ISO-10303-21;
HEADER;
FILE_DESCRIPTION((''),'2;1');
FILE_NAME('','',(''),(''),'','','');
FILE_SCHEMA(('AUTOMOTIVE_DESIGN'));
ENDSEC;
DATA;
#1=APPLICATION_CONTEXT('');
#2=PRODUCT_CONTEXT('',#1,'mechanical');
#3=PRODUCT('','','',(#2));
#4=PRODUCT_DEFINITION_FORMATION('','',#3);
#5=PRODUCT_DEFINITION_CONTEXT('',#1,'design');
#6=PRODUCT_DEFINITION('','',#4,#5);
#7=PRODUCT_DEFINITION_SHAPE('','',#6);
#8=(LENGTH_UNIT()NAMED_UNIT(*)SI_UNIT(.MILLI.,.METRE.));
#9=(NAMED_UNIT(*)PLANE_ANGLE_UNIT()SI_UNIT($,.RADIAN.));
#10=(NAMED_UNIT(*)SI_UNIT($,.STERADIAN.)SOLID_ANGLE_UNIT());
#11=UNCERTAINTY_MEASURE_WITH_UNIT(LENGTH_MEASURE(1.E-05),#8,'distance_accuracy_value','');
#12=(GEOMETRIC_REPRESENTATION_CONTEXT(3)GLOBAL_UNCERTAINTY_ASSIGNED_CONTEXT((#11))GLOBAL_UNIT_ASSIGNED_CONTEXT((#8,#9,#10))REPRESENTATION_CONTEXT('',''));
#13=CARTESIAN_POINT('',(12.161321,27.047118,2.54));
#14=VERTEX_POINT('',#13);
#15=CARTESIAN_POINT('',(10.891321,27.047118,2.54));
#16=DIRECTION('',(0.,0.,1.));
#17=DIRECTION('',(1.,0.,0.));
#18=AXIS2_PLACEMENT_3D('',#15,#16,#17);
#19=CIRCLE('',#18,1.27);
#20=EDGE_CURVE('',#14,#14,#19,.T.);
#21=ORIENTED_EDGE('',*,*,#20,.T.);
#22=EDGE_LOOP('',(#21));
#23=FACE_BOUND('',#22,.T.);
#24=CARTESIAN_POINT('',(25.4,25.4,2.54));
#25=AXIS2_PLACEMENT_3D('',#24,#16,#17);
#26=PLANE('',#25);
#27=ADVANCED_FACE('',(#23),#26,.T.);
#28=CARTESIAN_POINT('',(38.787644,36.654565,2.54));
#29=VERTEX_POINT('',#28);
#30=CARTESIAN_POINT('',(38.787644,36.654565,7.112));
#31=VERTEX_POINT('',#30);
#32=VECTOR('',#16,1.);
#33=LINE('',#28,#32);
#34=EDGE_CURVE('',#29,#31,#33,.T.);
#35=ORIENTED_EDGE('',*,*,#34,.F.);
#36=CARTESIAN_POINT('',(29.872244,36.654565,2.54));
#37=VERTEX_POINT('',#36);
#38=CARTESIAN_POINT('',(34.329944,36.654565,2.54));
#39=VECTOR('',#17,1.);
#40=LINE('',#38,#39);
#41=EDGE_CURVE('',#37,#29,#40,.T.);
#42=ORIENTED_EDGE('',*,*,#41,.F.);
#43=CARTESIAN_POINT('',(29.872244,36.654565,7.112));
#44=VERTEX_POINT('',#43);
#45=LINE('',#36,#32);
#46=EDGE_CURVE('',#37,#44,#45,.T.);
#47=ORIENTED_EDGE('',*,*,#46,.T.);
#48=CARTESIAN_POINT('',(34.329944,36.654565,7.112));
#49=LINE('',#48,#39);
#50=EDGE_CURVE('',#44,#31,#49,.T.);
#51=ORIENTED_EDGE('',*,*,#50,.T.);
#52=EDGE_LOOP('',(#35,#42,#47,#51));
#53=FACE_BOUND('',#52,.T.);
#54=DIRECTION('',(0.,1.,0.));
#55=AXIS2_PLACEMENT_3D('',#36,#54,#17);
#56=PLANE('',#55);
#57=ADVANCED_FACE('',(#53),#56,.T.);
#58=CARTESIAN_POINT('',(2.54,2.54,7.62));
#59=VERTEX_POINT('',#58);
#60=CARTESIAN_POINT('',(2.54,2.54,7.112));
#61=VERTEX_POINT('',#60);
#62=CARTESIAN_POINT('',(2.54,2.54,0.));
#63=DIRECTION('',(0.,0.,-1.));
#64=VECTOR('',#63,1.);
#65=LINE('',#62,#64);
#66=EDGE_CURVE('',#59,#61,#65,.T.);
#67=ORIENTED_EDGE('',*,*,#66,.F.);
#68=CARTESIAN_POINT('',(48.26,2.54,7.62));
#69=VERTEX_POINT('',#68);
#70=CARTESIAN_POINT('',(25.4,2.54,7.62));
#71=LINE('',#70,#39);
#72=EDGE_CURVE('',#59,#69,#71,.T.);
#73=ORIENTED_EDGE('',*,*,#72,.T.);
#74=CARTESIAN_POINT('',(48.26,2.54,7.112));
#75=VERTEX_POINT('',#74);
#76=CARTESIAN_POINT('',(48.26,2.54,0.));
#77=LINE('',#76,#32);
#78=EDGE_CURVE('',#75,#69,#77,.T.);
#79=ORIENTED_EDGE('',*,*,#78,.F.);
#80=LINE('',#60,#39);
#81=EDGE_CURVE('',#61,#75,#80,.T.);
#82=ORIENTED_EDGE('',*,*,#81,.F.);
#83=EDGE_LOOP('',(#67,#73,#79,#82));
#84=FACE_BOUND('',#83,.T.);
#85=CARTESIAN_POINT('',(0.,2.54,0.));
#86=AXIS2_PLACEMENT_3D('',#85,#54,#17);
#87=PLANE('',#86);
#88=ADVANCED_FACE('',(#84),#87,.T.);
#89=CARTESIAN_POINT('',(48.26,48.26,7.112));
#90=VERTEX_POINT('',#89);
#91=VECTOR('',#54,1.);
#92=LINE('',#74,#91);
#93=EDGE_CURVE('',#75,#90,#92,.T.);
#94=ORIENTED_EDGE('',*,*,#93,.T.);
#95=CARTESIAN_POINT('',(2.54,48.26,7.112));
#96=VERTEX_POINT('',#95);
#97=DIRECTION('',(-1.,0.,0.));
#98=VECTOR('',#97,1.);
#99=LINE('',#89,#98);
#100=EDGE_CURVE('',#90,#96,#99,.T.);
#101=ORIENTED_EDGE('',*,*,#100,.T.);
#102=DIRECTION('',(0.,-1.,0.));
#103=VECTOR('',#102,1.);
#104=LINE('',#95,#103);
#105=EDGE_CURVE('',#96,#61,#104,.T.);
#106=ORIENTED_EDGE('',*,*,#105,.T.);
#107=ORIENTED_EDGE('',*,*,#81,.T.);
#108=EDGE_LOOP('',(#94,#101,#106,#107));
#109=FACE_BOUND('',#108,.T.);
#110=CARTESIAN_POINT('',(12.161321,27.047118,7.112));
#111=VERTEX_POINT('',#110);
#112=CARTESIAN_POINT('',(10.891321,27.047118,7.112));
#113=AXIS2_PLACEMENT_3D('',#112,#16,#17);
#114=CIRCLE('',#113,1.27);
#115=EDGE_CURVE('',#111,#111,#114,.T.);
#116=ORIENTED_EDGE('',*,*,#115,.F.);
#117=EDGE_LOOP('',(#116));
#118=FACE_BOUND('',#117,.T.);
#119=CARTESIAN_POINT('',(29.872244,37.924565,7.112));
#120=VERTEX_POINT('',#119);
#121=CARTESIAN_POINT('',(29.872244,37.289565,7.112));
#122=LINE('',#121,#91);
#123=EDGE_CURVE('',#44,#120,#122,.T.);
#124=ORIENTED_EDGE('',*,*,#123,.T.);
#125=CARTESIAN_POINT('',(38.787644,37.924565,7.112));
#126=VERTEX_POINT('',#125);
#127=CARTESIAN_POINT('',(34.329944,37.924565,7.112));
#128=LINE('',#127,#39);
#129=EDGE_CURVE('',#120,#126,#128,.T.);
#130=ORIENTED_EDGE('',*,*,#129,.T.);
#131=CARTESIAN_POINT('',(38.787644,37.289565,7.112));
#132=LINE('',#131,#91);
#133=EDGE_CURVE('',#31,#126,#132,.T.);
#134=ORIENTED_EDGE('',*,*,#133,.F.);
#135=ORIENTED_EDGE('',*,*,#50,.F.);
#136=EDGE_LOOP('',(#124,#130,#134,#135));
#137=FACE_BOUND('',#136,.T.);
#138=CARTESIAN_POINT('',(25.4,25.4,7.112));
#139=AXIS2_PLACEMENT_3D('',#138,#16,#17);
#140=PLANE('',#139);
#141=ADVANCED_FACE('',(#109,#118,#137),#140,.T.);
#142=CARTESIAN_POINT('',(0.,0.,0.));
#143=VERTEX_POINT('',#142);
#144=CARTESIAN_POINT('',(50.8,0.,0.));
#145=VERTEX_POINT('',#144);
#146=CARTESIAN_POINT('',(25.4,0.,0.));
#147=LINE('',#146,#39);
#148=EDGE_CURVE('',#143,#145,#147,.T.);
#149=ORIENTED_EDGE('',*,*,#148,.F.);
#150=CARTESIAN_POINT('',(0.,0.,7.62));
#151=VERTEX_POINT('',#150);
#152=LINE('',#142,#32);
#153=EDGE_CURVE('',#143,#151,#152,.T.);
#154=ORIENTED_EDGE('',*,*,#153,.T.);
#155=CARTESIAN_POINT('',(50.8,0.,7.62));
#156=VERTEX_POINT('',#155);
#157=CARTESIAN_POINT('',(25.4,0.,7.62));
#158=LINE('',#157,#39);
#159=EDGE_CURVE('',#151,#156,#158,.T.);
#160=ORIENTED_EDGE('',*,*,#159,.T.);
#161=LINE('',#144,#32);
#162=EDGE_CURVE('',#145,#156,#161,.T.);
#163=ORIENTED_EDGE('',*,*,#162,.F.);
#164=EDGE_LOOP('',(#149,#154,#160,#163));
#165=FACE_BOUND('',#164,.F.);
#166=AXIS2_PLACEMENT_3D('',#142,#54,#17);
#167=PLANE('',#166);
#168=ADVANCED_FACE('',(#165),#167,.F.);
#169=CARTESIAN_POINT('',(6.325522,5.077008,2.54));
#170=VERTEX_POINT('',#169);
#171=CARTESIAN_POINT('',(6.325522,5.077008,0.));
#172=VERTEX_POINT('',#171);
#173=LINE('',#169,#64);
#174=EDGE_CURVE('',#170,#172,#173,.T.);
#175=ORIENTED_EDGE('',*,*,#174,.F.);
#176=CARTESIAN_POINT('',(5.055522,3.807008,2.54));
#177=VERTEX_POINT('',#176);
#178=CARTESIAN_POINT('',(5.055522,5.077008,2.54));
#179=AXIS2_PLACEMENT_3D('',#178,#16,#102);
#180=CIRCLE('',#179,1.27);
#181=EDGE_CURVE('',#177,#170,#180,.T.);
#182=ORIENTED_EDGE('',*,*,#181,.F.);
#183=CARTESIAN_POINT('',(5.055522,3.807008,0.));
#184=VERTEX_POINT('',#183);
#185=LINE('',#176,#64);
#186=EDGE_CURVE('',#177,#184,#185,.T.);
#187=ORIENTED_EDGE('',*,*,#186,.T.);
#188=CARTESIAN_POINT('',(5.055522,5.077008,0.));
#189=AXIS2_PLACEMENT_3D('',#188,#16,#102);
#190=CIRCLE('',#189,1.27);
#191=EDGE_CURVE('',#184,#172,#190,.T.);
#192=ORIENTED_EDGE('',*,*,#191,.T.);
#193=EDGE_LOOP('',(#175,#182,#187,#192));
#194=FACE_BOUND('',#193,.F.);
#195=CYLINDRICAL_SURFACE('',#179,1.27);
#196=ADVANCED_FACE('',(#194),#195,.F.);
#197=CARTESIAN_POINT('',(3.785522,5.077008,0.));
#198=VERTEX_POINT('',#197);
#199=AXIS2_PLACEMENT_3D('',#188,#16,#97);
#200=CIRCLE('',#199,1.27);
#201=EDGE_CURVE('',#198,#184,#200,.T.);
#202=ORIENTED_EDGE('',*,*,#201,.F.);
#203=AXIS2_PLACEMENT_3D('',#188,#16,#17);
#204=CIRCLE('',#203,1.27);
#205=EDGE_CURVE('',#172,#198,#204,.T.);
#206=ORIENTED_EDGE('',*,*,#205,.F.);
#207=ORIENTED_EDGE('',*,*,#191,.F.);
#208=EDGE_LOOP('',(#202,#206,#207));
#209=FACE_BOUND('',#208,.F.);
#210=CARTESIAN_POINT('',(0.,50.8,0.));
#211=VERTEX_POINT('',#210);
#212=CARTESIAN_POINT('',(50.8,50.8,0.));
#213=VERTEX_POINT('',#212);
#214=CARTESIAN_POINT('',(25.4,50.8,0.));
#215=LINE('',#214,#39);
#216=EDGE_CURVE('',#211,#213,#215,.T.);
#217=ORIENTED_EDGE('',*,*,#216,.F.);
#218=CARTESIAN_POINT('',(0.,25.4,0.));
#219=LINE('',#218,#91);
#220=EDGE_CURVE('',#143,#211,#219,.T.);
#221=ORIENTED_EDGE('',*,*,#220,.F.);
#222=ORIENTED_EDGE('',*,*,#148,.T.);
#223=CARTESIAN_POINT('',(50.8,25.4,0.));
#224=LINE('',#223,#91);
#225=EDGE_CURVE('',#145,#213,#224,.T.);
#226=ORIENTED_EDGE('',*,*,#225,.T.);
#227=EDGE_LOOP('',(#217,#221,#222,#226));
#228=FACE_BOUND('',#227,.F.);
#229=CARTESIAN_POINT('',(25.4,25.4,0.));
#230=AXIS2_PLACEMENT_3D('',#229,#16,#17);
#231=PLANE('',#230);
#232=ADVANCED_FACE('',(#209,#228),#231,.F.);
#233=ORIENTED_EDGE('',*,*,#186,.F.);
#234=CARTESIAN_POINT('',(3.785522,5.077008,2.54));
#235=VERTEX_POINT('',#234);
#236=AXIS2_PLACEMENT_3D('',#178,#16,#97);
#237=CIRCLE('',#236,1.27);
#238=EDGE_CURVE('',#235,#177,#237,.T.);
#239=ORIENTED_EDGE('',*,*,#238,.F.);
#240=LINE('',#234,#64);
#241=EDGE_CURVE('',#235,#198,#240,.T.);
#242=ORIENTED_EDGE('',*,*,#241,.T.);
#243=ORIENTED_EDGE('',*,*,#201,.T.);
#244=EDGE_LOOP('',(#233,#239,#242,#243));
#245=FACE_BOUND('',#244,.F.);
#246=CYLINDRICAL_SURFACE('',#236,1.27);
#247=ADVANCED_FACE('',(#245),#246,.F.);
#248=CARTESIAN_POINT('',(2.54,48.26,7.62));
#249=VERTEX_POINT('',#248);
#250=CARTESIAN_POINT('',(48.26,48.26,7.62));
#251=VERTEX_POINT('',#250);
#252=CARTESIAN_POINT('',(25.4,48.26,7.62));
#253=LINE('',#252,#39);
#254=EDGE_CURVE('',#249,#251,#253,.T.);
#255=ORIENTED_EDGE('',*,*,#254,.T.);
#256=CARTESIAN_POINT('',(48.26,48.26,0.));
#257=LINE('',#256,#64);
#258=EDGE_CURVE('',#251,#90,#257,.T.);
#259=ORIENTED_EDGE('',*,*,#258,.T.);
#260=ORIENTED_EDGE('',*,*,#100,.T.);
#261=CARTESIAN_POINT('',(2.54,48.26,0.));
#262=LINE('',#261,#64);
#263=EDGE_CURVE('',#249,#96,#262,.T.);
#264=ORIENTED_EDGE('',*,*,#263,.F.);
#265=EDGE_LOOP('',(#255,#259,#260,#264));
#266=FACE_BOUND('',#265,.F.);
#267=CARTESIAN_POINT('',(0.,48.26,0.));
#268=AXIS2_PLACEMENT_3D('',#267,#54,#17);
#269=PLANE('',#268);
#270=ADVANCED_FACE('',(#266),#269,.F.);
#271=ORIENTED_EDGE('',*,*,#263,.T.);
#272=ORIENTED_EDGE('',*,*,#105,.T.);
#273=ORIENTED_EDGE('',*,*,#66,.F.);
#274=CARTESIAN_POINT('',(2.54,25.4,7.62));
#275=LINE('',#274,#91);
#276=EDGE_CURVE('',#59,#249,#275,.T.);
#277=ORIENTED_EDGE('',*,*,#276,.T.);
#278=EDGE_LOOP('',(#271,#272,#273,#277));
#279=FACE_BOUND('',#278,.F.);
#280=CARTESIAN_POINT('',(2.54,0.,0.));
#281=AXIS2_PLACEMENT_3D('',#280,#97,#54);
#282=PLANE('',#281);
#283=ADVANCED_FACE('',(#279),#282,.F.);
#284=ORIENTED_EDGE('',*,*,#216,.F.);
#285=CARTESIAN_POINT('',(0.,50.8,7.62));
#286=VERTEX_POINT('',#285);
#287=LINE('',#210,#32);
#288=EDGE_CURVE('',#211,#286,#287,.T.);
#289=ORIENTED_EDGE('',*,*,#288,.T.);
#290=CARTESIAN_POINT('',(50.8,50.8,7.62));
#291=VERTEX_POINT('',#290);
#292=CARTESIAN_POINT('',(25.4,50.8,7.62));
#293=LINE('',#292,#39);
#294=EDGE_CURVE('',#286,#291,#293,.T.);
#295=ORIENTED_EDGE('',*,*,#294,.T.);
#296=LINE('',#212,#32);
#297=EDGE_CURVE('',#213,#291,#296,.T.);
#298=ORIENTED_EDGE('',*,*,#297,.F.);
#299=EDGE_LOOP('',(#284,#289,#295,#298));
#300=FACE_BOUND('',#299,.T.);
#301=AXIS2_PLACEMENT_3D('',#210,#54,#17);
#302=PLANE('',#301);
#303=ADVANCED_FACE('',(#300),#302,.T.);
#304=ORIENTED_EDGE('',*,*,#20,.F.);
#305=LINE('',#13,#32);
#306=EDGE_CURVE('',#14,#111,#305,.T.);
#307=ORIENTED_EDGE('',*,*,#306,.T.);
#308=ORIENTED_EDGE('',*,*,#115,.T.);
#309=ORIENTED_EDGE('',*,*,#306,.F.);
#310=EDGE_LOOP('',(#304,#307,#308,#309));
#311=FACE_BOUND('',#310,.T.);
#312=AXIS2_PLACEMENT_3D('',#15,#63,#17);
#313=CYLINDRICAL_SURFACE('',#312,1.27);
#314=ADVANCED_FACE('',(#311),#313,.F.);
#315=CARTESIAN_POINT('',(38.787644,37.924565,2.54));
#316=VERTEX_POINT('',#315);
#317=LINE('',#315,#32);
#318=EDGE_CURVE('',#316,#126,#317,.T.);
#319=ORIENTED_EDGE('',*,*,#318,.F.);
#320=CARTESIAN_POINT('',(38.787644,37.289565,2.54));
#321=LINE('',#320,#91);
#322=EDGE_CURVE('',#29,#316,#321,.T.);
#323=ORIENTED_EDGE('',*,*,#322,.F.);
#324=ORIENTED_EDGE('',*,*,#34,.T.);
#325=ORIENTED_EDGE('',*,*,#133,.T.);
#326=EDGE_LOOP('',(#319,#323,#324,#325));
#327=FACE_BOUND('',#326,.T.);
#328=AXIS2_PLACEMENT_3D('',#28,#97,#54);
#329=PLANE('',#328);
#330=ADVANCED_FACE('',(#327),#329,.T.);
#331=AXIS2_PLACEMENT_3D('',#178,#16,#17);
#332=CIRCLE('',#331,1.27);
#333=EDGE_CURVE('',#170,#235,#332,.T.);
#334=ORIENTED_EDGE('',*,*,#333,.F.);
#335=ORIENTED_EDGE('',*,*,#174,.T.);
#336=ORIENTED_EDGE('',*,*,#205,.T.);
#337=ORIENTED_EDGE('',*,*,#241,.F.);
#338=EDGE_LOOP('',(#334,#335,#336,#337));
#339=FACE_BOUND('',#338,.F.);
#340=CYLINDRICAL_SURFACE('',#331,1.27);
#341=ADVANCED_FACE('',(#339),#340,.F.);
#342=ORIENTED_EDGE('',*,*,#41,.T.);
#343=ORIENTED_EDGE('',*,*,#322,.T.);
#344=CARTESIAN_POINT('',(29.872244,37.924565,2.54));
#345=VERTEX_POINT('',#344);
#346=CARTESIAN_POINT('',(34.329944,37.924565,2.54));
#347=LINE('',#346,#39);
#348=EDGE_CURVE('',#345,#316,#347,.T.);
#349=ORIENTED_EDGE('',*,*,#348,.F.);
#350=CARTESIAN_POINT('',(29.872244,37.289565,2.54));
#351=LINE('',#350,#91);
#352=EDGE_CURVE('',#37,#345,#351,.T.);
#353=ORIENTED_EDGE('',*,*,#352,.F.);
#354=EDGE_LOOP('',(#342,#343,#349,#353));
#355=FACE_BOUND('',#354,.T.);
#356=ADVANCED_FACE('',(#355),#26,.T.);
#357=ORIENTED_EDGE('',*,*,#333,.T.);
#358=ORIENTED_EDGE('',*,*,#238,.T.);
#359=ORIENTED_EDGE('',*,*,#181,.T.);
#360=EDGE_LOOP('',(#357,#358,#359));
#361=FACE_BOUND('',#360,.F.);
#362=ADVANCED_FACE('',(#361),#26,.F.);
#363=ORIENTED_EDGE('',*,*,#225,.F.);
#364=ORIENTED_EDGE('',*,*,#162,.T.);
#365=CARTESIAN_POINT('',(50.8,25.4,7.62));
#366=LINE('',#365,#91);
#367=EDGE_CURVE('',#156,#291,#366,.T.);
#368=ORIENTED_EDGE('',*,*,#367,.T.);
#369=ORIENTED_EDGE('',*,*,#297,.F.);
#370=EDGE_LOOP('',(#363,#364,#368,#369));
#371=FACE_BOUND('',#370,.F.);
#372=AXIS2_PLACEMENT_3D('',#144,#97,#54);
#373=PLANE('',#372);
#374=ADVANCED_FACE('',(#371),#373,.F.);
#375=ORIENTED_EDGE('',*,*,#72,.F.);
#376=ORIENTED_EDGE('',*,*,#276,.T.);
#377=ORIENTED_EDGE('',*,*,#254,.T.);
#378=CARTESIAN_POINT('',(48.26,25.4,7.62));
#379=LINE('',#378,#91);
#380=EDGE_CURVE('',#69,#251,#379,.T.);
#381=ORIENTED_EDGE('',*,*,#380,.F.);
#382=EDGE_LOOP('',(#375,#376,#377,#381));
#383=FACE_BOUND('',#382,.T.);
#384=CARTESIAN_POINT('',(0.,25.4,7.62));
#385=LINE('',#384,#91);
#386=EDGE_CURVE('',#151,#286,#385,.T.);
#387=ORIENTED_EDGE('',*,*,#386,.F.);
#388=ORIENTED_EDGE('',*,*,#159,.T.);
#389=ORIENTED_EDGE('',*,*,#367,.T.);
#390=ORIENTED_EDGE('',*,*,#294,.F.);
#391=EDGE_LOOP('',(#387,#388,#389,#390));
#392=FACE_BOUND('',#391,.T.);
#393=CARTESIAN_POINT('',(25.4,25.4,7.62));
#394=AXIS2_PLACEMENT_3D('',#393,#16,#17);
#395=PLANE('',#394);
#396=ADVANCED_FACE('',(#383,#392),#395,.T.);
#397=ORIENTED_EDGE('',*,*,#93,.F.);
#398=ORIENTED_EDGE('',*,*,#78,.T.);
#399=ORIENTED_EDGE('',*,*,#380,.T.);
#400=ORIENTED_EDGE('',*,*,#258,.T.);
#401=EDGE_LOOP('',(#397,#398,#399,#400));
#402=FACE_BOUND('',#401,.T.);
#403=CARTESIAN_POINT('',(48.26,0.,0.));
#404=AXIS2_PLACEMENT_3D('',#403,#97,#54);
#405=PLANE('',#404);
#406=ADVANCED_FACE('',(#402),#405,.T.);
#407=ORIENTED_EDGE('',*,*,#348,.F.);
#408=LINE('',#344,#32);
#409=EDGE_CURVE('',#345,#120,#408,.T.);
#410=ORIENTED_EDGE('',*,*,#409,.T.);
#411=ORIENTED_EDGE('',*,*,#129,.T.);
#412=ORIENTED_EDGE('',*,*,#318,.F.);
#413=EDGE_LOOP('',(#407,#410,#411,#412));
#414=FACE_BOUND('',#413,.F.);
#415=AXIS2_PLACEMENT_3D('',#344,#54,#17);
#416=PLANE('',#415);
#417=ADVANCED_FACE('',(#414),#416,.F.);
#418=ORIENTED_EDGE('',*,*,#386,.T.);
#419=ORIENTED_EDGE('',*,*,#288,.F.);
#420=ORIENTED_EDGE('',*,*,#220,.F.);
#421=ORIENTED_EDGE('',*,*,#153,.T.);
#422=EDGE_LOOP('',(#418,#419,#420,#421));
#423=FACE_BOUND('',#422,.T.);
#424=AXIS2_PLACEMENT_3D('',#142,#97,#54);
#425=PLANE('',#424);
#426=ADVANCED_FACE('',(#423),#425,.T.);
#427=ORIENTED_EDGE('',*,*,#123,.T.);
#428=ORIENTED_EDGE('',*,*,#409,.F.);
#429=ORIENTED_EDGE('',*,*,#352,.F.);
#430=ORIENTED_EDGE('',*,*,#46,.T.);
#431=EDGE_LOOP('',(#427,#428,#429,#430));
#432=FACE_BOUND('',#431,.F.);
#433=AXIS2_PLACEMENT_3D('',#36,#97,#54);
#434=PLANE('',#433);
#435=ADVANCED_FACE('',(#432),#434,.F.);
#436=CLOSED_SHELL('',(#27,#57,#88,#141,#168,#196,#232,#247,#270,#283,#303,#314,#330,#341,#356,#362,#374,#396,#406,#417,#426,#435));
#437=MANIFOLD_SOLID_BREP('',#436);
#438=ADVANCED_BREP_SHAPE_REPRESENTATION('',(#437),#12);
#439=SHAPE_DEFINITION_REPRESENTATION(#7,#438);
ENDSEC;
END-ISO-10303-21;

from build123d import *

# Parameters (mm, degrees)
F0_W     = 50.8
F0_H     = 50.8
F1_DEPTH = 7.62
F2_T     = -2.54
F5_DEPTH = 25.4
F7_R     = 1.27
F7_W     = 8.9154
F7_H     = 1.27
F8_DEPTH = 4.572


with BuildPart() as f1:
    # F0 (on Top) → F1 (new body)
    with BuildSketch(Plane.XY):
        with Locations((25.4, 25.4)):
            Rectangle(F0_W, F0_H)
    extrude(amount=F1_DEPTH)

    # F2
    f2_openings = [f1.faces().sort_by_distance(p)[0] for p in [
        (25.4, 25.4, 7.62),
    ]]
    offset(amount=F2_T, openings=f2_openings)

    # F4 (on face) → F5 (cut)
    with BuildSketch(Plane.XY.offset(2.54)):
        with BuildLine():
            ThreePointArc((3.7855220646, 5.0770083749), (4.1574964525, 4.1789827628), (5.0555220646, 3.8070083749))
            Line((5.0555220646, 3.8070083749), (5.0555220646, 5.0770083749))
            Line((5.0555220646, 5.0770083749), (3.7855220646, 5.0770083749))
        make_face()
        with BuildLine():
            Line((5.0555220646, 5.0770083749), (5.0555220646, 3.8070083749))
            ThreePointArc((5.0555220646, 3.8070083749), (5.9535476767, 4.1789827628), (6.3255220646, 5.0770083749))
            ThreePointArc((6.3255220646, 5.0770083749), (5.0555220646, 6.3470083749), (3.7855220646, 5.0770083749))
            Line((3.7855220646, 5.0770083749), (5.0555220646, 5.0770083749))
        make_face()
    extrude(amount=-F5_DEPTH, mode=Mode.SUBTRACT)

    # F7 (on face) → F8 (join)
    with BuildSketch(Plane.XY.offset(2.54)):
        Polygon((48.26, 2.54), (48.26, 48.26), (2.54, 48.26), (2.54, 2.54), (7.62, 2.54), align=None)
        with Locations((10.8913211152, 27.047118172)):
            Circle(F7_R, mode=Mode.SUBTRACT)
        with Locations((34.3299443565, 37.2895654833)):
            Rectangle(F7_W, F7_H, mode=Mode.SUBTRACT)
    extrude(amount=F8_DEPTH)


solid = f1.part
